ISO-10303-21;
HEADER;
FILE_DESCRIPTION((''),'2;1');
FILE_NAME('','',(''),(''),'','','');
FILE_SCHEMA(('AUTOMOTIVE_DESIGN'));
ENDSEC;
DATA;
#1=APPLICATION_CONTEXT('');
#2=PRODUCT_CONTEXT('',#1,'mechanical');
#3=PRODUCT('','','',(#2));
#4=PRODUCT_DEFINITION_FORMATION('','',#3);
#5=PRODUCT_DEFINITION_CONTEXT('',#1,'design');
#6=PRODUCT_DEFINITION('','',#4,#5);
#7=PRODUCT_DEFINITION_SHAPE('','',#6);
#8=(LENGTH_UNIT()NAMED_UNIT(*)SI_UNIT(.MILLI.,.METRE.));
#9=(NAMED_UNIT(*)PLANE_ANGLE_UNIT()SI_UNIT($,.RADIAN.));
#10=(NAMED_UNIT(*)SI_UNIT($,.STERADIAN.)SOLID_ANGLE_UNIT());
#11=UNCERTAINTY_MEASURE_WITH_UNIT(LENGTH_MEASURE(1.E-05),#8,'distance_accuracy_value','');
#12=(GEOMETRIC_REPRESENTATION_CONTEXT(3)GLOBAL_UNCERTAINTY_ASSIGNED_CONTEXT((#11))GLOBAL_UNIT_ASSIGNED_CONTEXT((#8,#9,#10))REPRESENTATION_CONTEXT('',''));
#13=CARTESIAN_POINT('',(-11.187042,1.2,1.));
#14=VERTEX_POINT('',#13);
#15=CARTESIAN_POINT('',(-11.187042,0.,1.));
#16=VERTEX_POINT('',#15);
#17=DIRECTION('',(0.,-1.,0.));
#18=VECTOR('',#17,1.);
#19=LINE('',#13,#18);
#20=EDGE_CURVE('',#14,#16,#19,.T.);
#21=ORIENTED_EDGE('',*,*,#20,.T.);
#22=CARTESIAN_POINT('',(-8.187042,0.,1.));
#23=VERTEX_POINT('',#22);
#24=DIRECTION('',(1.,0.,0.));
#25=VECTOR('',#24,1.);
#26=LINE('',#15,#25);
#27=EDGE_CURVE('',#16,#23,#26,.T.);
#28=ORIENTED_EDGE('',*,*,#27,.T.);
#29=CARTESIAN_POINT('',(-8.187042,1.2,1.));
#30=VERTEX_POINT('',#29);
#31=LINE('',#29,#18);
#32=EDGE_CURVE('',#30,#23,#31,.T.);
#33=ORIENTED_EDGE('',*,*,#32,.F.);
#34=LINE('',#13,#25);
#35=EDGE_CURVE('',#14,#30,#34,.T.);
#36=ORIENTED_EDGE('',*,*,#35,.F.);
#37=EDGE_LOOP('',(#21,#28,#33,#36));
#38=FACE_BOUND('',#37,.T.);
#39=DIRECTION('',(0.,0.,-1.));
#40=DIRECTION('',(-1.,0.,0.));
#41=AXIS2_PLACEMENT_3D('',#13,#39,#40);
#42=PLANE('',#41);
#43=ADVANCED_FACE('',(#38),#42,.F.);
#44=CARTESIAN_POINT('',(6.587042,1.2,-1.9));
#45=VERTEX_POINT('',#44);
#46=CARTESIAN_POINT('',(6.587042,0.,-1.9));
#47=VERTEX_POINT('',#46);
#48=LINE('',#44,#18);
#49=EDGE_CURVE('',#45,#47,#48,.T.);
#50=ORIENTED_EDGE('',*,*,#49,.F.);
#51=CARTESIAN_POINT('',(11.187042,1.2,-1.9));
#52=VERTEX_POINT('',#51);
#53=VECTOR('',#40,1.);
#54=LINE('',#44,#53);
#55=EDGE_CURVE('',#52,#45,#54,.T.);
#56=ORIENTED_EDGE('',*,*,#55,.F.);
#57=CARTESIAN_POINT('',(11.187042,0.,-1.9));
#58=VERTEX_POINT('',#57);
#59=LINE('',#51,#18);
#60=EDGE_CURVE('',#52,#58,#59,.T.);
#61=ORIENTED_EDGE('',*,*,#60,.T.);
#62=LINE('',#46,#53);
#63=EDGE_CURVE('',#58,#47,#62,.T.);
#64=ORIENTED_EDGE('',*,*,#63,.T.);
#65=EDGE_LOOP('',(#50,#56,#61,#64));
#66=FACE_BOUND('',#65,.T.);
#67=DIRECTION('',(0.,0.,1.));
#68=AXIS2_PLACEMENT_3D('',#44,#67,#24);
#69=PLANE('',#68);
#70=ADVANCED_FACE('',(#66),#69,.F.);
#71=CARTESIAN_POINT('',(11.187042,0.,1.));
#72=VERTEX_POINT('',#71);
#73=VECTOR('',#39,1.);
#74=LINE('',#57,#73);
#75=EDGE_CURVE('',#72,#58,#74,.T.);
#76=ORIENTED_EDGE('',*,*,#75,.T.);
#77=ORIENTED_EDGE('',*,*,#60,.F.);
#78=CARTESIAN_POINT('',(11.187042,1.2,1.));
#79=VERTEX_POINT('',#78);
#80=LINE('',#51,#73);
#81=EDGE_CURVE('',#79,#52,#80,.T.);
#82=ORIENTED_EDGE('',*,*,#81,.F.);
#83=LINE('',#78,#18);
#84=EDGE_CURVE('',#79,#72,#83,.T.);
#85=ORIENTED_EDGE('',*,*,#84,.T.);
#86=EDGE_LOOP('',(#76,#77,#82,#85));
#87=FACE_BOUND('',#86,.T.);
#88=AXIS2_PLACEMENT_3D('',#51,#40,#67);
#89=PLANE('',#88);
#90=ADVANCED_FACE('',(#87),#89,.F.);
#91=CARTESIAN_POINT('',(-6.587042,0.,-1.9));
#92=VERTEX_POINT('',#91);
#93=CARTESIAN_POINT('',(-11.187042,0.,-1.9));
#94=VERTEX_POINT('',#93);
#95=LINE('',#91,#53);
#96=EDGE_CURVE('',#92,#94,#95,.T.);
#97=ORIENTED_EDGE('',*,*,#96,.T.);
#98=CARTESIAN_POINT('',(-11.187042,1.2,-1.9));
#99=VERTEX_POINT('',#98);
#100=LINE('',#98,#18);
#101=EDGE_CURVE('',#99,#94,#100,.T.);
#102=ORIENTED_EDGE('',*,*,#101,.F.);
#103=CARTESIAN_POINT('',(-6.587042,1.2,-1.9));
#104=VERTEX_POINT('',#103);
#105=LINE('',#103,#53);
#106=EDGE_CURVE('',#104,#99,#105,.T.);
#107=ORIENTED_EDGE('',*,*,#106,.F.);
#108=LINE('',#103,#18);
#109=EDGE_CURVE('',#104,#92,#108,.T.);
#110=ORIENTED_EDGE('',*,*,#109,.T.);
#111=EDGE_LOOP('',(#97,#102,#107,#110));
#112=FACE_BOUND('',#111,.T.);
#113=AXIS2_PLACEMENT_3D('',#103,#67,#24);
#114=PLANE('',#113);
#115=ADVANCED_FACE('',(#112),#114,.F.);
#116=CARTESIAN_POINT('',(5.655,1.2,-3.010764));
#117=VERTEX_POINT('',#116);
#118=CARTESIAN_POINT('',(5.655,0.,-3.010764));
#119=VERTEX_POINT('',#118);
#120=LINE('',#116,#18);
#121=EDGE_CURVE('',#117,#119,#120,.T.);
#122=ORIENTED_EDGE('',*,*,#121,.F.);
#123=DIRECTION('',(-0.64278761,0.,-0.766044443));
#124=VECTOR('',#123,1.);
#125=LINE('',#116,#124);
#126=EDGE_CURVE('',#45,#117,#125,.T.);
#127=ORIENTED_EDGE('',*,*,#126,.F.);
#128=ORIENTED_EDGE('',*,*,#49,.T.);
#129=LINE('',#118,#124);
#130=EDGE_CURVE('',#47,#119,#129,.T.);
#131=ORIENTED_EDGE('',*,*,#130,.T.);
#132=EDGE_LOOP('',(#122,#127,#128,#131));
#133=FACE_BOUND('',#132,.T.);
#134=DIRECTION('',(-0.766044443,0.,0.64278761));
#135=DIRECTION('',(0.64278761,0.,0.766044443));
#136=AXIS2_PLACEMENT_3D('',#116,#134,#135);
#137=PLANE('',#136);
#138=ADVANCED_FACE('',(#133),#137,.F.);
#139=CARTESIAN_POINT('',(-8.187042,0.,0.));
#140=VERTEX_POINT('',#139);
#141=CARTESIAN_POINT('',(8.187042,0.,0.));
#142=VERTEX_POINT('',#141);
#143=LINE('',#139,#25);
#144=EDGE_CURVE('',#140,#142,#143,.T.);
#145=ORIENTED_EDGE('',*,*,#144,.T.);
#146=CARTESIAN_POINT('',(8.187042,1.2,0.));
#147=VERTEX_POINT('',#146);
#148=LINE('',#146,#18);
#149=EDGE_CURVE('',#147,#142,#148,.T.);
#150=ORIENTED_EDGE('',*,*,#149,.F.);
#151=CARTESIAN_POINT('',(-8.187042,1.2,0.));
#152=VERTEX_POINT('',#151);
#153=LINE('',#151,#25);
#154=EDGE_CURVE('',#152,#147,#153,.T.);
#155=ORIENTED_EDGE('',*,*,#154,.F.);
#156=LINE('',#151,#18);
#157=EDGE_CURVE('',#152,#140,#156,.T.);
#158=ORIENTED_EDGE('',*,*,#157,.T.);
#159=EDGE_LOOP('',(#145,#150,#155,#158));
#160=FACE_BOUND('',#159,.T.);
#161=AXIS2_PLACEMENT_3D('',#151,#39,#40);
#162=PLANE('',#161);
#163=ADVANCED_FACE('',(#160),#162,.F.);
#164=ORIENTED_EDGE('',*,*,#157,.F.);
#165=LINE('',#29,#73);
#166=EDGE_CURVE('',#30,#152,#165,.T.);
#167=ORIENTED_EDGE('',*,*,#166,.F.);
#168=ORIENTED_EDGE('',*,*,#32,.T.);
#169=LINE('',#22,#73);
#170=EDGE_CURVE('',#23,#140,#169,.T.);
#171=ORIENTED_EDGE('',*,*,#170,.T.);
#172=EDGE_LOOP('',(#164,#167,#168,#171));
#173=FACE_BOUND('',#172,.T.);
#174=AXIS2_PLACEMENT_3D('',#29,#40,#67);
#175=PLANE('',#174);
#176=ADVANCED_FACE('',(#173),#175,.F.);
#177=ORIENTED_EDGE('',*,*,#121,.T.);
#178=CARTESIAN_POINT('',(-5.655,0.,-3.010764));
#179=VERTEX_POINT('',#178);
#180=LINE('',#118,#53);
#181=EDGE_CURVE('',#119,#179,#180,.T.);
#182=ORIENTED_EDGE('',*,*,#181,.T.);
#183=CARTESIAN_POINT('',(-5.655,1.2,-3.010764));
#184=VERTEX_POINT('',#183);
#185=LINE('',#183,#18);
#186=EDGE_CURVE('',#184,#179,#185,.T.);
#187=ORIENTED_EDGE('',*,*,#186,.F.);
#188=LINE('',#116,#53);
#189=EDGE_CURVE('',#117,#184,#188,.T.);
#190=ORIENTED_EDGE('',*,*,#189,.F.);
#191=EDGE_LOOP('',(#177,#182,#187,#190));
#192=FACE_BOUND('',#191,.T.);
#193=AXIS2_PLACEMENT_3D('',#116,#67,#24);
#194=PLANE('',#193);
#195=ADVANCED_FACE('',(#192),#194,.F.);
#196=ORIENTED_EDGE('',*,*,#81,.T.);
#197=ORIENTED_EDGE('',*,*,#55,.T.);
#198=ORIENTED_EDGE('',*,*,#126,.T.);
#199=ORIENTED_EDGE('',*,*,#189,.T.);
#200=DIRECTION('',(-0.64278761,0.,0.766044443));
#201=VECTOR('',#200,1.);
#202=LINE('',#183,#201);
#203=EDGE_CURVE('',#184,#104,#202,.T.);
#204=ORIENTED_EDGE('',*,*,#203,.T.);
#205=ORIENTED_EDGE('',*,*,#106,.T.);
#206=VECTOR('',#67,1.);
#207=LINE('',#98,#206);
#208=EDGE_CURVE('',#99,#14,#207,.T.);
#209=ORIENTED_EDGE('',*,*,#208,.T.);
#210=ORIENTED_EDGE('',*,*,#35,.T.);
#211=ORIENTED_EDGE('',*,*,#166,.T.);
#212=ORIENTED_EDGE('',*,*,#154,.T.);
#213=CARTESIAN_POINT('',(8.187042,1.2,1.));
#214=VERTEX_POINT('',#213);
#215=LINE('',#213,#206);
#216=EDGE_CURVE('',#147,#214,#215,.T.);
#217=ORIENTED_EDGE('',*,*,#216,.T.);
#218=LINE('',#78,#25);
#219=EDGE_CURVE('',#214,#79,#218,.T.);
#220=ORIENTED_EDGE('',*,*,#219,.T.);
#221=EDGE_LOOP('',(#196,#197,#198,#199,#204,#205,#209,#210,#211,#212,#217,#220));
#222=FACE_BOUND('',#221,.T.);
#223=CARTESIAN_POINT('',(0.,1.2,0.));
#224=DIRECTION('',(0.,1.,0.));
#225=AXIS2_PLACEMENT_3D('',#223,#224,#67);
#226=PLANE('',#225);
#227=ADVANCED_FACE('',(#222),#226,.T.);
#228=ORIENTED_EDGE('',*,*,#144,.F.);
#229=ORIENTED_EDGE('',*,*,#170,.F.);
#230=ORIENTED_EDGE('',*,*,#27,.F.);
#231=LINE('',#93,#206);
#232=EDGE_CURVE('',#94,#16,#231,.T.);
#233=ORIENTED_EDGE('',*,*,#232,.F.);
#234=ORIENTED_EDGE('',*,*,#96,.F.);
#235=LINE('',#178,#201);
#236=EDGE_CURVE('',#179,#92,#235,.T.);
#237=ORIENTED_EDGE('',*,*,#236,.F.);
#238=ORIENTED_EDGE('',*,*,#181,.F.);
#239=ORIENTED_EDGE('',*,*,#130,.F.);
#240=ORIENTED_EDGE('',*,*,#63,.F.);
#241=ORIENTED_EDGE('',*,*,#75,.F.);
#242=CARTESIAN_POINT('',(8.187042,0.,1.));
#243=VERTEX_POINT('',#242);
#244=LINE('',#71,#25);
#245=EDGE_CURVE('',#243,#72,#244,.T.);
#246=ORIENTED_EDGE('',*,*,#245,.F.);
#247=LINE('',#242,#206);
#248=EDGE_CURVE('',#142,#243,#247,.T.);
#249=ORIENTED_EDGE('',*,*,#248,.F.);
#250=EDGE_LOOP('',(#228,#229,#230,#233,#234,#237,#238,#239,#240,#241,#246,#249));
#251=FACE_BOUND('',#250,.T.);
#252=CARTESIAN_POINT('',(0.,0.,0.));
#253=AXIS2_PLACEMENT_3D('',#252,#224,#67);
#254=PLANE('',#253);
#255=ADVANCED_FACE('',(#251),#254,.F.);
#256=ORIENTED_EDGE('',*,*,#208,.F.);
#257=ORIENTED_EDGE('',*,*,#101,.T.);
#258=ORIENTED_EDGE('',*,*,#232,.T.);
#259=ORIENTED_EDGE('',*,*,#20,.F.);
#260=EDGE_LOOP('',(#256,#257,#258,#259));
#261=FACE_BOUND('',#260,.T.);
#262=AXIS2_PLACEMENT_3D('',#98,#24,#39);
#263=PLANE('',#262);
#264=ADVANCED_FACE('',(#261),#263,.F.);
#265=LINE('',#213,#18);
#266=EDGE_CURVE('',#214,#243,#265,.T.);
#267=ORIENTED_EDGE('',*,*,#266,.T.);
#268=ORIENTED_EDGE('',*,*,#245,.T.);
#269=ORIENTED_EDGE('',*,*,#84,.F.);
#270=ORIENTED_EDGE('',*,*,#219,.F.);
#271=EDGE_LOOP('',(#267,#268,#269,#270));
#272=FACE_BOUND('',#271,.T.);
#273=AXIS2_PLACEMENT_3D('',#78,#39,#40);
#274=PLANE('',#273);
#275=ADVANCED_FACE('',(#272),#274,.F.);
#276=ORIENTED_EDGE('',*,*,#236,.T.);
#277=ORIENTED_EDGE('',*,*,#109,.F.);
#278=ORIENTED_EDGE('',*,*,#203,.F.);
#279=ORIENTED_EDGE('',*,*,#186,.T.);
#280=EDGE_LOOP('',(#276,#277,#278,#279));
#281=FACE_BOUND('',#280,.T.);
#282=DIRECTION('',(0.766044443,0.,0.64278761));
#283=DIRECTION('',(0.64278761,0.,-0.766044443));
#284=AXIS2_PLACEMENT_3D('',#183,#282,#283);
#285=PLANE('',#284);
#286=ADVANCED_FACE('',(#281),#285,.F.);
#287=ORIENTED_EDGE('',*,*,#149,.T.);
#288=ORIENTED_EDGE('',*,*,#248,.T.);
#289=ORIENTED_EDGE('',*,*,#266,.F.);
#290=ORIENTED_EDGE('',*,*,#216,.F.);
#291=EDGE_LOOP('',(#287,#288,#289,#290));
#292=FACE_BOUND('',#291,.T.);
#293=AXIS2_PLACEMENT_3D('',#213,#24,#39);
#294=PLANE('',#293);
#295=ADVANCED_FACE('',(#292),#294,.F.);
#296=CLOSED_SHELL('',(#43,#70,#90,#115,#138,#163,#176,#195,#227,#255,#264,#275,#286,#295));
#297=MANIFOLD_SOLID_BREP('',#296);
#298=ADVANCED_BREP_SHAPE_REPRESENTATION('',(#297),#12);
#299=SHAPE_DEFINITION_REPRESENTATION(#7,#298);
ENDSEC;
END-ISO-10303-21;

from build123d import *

# Parameters (mm, degrees)
BOSS_EXTRUDE1_DEPTH = 1.2


with BuildPart() as part:
    # Sketch1 → Boss-Extrude1 (new body)
    with BuildSketch(Plane(origin=(0, 0, 0), x_dir=(1, 0, 0), z_dir=(0, 1, 0))):
        Polygon((5.655, 3.010764443), (-5.655, 3.010764443), (-6.587042034, 1.9), (-11.187042034, 1.9), (-11.187042034, -1), (-8.187042034, -1), (-8.187042034, 0), (8.187042034, 0), (8.187042034, -1), (11.187042034, -1), (11.187042034, 1.9), (6.587042034, 1.9), align=None)
    extrude(amount=BOSS_EXTRUDE1_DEPTH)


solid = part.part
